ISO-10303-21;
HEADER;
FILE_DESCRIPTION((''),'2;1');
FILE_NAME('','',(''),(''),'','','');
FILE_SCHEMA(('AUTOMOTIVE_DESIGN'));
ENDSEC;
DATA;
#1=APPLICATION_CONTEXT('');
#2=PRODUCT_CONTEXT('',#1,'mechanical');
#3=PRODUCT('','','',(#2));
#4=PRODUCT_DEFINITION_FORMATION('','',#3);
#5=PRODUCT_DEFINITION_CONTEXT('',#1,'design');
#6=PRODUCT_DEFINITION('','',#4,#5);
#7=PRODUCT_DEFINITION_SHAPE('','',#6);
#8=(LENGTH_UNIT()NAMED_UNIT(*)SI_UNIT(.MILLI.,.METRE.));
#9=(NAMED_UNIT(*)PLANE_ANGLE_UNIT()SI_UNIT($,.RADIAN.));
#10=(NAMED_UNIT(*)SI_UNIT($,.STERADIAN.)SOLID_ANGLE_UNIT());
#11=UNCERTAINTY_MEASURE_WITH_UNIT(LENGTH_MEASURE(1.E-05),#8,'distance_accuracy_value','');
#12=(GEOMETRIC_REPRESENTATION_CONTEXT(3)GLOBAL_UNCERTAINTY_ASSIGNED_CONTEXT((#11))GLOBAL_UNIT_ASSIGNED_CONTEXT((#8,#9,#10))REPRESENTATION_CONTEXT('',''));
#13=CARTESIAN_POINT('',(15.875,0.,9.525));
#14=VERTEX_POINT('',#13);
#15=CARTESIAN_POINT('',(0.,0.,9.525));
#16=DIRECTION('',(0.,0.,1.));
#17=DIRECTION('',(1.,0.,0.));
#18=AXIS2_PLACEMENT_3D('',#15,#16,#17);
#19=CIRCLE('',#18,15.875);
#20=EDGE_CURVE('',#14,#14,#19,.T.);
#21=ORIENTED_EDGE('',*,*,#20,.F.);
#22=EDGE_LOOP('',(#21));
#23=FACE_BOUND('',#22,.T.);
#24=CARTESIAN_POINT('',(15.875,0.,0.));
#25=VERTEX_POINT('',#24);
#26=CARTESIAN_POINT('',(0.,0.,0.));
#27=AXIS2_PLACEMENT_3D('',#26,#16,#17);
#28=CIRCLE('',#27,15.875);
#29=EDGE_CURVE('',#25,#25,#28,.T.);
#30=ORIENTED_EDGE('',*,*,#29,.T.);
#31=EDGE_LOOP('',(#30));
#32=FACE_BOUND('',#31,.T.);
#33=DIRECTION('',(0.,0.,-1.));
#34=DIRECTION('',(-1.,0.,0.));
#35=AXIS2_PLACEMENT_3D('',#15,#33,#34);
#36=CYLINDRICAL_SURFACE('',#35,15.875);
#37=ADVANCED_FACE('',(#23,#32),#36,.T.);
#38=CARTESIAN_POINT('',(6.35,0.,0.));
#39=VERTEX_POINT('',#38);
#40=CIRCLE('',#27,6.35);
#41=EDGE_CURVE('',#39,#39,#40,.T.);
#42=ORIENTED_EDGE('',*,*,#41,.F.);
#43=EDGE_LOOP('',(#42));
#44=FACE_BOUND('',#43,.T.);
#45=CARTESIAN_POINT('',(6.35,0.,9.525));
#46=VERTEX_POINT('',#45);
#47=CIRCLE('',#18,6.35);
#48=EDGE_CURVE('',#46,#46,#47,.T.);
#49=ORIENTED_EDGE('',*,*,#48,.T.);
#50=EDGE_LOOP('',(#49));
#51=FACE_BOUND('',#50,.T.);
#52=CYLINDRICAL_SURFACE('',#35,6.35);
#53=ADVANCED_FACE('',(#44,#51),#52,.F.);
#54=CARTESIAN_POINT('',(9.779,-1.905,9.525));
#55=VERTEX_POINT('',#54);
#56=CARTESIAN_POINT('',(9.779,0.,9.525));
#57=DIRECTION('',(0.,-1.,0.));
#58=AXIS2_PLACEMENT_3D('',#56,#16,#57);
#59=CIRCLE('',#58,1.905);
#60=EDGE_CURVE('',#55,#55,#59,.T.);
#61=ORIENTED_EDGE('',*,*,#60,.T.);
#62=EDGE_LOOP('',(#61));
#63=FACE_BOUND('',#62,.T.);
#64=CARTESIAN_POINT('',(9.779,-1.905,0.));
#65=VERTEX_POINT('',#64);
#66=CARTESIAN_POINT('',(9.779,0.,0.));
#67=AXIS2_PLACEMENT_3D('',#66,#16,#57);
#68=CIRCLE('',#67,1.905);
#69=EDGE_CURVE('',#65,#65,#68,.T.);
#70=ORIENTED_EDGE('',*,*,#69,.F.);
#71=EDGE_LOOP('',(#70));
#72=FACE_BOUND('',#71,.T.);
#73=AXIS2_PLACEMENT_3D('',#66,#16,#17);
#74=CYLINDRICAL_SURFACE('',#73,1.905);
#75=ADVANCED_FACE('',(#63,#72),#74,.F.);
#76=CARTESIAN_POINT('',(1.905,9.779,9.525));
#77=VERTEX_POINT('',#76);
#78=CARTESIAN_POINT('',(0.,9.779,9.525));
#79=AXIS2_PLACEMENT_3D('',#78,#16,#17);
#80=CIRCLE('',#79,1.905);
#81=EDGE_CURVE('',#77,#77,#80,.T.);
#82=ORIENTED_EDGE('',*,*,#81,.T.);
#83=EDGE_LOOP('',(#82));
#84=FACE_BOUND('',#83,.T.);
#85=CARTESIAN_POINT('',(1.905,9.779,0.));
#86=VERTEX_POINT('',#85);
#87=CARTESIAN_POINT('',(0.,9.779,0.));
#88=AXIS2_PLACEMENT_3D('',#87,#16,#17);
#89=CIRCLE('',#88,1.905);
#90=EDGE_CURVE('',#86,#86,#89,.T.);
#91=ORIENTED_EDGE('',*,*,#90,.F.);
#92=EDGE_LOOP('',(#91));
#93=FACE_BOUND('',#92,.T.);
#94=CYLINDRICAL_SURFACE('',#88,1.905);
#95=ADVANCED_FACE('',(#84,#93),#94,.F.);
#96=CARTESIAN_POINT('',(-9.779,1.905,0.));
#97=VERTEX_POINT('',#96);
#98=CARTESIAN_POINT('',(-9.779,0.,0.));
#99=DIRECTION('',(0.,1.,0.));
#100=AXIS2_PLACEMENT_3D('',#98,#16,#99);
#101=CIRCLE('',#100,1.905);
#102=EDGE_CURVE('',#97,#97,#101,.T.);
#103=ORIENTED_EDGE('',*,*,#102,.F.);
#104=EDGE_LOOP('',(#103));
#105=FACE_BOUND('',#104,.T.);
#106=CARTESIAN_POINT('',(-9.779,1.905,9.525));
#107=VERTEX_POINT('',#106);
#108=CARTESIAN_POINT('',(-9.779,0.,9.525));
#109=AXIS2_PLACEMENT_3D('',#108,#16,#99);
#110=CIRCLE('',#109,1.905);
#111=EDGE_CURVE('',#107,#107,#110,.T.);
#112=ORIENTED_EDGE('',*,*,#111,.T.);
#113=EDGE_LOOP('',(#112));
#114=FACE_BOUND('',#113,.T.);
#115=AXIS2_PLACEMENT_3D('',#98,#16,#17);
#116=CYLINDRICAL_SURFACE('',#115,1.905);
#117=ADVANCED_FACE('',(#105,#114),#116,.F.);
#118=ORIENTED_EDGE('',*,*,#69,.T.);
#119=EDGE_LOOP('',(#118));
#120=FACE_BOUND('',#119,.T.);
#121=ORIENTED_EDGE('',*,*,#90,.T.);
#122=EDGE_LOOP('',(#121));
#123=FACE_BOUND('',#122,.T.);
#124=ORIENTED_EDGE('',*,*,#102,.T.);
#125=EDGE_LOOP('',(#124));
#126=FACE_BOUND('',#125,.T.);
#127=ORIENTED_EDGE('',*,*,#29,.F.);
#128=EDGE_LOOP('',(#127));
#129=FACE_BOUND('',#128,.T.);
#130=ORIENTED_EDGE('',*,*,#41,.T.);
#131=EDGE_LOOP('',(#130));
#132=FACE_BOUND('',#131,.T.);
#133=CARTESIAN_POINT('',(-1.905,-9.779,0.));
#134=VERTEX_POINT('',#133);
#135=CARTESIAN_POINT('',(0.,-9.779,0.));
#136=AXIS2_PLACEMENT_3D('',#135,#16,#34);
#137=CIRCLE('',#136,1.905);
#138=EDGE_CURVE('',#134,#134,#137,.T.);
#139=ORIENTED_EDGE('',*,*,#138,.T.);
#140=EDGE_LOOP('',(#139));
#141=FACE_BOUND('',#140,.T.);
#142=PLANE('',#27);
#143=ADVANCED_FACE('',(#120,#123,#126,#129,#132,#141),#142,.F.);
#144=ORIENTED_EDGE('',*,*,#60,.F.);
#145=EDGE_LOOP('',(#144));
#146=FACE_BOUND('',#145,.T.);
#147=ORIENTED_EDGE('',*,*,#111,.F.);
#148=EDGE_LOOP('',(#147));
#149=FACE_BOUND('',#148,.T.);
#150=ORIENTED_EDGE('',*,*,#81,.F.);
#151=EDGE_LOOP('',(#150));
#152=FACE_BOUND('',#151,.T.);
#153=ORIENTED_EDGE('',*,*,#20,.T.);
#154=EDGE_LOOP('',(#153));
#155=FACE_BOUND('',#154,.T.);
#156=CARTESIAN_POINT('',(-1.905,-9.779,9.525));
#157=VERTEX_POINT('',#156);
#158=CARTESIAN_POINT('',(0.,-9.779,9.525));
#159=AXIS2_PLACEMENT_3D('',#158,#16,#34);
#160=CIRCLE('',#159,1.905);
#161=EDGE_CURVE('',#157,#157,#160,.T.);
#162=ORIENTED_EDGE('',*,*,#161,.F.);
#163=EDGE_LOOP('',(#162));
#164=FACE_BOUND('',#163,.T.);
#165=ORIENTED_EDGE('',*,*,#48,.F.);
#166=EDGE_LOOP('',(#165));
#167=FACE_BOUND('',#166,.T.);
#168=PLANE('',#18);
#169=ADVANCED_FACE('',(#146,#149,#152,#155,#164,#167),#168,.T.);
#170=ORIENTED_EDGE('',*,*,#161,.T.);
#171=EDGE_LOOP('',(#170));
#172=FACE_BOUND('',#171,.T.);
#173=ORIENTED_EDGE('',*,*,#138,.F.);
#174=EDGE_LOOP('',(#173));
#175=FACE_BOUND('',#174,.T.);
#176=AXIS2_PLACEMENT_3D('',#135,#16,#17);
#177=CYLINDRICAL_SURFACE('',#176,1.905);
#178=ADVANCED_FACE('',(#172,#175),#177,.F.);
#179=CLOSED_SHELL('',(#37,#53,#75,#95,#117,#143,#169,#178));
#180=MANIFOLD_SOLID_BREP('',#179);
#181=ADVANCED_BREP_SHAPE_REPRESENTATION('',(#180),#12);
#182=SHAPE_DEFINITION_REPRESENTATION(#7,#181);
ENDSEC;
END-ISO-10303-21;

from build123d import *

# Parameters (mm, degrees)
SKETCH1_R           = 15.875
SKETCH1_R_2         = 6.35
BOSS_EXTRUDE1_DEPTH = 9.525
SKETCH2_R           = 1.905
CUT_EXTRUDE1_DEPTH  = 9.525
CIRPATTERN1_COUNT   = 4


with BuildPart() as part:
    # Sketch1 → Boss-Extrude1 (new body)
    with BuildSketch(Plane.XY):
        Circle(SKETCH1_R)
        Circle(SKETCH1_R_2, mode=Mode.SUBTRACT)
    extrude(amount=BOSS_EXTRUDE1_DEPTH)

    # Sketch2 → Cut-Extrude1 (cut)
    with BuildSketch(Plane.XY.offset(9.525)):
        with Locations((0, 9.779)):
            Circle(SKETCH2_R)
    cut_extrude1 = extrude(amount=-CUT_EXTRUDE1_DEPTH, mode=Mode.SUBTRACT)

    # CirPattern1: Cut-Extrude1 ×4 about axis
    cirpattern1_axis = Axis((0, 0, 0), (0, 0, 1))
    for i in range(1, CIRPATTERN1_COUNT):
        add(cut_extrude1.rotate(cirpattern1_axis, i * 360 / CIRPATTERN1_COUNT), mode=Mode.SUBTRACT)


solid = part.part
